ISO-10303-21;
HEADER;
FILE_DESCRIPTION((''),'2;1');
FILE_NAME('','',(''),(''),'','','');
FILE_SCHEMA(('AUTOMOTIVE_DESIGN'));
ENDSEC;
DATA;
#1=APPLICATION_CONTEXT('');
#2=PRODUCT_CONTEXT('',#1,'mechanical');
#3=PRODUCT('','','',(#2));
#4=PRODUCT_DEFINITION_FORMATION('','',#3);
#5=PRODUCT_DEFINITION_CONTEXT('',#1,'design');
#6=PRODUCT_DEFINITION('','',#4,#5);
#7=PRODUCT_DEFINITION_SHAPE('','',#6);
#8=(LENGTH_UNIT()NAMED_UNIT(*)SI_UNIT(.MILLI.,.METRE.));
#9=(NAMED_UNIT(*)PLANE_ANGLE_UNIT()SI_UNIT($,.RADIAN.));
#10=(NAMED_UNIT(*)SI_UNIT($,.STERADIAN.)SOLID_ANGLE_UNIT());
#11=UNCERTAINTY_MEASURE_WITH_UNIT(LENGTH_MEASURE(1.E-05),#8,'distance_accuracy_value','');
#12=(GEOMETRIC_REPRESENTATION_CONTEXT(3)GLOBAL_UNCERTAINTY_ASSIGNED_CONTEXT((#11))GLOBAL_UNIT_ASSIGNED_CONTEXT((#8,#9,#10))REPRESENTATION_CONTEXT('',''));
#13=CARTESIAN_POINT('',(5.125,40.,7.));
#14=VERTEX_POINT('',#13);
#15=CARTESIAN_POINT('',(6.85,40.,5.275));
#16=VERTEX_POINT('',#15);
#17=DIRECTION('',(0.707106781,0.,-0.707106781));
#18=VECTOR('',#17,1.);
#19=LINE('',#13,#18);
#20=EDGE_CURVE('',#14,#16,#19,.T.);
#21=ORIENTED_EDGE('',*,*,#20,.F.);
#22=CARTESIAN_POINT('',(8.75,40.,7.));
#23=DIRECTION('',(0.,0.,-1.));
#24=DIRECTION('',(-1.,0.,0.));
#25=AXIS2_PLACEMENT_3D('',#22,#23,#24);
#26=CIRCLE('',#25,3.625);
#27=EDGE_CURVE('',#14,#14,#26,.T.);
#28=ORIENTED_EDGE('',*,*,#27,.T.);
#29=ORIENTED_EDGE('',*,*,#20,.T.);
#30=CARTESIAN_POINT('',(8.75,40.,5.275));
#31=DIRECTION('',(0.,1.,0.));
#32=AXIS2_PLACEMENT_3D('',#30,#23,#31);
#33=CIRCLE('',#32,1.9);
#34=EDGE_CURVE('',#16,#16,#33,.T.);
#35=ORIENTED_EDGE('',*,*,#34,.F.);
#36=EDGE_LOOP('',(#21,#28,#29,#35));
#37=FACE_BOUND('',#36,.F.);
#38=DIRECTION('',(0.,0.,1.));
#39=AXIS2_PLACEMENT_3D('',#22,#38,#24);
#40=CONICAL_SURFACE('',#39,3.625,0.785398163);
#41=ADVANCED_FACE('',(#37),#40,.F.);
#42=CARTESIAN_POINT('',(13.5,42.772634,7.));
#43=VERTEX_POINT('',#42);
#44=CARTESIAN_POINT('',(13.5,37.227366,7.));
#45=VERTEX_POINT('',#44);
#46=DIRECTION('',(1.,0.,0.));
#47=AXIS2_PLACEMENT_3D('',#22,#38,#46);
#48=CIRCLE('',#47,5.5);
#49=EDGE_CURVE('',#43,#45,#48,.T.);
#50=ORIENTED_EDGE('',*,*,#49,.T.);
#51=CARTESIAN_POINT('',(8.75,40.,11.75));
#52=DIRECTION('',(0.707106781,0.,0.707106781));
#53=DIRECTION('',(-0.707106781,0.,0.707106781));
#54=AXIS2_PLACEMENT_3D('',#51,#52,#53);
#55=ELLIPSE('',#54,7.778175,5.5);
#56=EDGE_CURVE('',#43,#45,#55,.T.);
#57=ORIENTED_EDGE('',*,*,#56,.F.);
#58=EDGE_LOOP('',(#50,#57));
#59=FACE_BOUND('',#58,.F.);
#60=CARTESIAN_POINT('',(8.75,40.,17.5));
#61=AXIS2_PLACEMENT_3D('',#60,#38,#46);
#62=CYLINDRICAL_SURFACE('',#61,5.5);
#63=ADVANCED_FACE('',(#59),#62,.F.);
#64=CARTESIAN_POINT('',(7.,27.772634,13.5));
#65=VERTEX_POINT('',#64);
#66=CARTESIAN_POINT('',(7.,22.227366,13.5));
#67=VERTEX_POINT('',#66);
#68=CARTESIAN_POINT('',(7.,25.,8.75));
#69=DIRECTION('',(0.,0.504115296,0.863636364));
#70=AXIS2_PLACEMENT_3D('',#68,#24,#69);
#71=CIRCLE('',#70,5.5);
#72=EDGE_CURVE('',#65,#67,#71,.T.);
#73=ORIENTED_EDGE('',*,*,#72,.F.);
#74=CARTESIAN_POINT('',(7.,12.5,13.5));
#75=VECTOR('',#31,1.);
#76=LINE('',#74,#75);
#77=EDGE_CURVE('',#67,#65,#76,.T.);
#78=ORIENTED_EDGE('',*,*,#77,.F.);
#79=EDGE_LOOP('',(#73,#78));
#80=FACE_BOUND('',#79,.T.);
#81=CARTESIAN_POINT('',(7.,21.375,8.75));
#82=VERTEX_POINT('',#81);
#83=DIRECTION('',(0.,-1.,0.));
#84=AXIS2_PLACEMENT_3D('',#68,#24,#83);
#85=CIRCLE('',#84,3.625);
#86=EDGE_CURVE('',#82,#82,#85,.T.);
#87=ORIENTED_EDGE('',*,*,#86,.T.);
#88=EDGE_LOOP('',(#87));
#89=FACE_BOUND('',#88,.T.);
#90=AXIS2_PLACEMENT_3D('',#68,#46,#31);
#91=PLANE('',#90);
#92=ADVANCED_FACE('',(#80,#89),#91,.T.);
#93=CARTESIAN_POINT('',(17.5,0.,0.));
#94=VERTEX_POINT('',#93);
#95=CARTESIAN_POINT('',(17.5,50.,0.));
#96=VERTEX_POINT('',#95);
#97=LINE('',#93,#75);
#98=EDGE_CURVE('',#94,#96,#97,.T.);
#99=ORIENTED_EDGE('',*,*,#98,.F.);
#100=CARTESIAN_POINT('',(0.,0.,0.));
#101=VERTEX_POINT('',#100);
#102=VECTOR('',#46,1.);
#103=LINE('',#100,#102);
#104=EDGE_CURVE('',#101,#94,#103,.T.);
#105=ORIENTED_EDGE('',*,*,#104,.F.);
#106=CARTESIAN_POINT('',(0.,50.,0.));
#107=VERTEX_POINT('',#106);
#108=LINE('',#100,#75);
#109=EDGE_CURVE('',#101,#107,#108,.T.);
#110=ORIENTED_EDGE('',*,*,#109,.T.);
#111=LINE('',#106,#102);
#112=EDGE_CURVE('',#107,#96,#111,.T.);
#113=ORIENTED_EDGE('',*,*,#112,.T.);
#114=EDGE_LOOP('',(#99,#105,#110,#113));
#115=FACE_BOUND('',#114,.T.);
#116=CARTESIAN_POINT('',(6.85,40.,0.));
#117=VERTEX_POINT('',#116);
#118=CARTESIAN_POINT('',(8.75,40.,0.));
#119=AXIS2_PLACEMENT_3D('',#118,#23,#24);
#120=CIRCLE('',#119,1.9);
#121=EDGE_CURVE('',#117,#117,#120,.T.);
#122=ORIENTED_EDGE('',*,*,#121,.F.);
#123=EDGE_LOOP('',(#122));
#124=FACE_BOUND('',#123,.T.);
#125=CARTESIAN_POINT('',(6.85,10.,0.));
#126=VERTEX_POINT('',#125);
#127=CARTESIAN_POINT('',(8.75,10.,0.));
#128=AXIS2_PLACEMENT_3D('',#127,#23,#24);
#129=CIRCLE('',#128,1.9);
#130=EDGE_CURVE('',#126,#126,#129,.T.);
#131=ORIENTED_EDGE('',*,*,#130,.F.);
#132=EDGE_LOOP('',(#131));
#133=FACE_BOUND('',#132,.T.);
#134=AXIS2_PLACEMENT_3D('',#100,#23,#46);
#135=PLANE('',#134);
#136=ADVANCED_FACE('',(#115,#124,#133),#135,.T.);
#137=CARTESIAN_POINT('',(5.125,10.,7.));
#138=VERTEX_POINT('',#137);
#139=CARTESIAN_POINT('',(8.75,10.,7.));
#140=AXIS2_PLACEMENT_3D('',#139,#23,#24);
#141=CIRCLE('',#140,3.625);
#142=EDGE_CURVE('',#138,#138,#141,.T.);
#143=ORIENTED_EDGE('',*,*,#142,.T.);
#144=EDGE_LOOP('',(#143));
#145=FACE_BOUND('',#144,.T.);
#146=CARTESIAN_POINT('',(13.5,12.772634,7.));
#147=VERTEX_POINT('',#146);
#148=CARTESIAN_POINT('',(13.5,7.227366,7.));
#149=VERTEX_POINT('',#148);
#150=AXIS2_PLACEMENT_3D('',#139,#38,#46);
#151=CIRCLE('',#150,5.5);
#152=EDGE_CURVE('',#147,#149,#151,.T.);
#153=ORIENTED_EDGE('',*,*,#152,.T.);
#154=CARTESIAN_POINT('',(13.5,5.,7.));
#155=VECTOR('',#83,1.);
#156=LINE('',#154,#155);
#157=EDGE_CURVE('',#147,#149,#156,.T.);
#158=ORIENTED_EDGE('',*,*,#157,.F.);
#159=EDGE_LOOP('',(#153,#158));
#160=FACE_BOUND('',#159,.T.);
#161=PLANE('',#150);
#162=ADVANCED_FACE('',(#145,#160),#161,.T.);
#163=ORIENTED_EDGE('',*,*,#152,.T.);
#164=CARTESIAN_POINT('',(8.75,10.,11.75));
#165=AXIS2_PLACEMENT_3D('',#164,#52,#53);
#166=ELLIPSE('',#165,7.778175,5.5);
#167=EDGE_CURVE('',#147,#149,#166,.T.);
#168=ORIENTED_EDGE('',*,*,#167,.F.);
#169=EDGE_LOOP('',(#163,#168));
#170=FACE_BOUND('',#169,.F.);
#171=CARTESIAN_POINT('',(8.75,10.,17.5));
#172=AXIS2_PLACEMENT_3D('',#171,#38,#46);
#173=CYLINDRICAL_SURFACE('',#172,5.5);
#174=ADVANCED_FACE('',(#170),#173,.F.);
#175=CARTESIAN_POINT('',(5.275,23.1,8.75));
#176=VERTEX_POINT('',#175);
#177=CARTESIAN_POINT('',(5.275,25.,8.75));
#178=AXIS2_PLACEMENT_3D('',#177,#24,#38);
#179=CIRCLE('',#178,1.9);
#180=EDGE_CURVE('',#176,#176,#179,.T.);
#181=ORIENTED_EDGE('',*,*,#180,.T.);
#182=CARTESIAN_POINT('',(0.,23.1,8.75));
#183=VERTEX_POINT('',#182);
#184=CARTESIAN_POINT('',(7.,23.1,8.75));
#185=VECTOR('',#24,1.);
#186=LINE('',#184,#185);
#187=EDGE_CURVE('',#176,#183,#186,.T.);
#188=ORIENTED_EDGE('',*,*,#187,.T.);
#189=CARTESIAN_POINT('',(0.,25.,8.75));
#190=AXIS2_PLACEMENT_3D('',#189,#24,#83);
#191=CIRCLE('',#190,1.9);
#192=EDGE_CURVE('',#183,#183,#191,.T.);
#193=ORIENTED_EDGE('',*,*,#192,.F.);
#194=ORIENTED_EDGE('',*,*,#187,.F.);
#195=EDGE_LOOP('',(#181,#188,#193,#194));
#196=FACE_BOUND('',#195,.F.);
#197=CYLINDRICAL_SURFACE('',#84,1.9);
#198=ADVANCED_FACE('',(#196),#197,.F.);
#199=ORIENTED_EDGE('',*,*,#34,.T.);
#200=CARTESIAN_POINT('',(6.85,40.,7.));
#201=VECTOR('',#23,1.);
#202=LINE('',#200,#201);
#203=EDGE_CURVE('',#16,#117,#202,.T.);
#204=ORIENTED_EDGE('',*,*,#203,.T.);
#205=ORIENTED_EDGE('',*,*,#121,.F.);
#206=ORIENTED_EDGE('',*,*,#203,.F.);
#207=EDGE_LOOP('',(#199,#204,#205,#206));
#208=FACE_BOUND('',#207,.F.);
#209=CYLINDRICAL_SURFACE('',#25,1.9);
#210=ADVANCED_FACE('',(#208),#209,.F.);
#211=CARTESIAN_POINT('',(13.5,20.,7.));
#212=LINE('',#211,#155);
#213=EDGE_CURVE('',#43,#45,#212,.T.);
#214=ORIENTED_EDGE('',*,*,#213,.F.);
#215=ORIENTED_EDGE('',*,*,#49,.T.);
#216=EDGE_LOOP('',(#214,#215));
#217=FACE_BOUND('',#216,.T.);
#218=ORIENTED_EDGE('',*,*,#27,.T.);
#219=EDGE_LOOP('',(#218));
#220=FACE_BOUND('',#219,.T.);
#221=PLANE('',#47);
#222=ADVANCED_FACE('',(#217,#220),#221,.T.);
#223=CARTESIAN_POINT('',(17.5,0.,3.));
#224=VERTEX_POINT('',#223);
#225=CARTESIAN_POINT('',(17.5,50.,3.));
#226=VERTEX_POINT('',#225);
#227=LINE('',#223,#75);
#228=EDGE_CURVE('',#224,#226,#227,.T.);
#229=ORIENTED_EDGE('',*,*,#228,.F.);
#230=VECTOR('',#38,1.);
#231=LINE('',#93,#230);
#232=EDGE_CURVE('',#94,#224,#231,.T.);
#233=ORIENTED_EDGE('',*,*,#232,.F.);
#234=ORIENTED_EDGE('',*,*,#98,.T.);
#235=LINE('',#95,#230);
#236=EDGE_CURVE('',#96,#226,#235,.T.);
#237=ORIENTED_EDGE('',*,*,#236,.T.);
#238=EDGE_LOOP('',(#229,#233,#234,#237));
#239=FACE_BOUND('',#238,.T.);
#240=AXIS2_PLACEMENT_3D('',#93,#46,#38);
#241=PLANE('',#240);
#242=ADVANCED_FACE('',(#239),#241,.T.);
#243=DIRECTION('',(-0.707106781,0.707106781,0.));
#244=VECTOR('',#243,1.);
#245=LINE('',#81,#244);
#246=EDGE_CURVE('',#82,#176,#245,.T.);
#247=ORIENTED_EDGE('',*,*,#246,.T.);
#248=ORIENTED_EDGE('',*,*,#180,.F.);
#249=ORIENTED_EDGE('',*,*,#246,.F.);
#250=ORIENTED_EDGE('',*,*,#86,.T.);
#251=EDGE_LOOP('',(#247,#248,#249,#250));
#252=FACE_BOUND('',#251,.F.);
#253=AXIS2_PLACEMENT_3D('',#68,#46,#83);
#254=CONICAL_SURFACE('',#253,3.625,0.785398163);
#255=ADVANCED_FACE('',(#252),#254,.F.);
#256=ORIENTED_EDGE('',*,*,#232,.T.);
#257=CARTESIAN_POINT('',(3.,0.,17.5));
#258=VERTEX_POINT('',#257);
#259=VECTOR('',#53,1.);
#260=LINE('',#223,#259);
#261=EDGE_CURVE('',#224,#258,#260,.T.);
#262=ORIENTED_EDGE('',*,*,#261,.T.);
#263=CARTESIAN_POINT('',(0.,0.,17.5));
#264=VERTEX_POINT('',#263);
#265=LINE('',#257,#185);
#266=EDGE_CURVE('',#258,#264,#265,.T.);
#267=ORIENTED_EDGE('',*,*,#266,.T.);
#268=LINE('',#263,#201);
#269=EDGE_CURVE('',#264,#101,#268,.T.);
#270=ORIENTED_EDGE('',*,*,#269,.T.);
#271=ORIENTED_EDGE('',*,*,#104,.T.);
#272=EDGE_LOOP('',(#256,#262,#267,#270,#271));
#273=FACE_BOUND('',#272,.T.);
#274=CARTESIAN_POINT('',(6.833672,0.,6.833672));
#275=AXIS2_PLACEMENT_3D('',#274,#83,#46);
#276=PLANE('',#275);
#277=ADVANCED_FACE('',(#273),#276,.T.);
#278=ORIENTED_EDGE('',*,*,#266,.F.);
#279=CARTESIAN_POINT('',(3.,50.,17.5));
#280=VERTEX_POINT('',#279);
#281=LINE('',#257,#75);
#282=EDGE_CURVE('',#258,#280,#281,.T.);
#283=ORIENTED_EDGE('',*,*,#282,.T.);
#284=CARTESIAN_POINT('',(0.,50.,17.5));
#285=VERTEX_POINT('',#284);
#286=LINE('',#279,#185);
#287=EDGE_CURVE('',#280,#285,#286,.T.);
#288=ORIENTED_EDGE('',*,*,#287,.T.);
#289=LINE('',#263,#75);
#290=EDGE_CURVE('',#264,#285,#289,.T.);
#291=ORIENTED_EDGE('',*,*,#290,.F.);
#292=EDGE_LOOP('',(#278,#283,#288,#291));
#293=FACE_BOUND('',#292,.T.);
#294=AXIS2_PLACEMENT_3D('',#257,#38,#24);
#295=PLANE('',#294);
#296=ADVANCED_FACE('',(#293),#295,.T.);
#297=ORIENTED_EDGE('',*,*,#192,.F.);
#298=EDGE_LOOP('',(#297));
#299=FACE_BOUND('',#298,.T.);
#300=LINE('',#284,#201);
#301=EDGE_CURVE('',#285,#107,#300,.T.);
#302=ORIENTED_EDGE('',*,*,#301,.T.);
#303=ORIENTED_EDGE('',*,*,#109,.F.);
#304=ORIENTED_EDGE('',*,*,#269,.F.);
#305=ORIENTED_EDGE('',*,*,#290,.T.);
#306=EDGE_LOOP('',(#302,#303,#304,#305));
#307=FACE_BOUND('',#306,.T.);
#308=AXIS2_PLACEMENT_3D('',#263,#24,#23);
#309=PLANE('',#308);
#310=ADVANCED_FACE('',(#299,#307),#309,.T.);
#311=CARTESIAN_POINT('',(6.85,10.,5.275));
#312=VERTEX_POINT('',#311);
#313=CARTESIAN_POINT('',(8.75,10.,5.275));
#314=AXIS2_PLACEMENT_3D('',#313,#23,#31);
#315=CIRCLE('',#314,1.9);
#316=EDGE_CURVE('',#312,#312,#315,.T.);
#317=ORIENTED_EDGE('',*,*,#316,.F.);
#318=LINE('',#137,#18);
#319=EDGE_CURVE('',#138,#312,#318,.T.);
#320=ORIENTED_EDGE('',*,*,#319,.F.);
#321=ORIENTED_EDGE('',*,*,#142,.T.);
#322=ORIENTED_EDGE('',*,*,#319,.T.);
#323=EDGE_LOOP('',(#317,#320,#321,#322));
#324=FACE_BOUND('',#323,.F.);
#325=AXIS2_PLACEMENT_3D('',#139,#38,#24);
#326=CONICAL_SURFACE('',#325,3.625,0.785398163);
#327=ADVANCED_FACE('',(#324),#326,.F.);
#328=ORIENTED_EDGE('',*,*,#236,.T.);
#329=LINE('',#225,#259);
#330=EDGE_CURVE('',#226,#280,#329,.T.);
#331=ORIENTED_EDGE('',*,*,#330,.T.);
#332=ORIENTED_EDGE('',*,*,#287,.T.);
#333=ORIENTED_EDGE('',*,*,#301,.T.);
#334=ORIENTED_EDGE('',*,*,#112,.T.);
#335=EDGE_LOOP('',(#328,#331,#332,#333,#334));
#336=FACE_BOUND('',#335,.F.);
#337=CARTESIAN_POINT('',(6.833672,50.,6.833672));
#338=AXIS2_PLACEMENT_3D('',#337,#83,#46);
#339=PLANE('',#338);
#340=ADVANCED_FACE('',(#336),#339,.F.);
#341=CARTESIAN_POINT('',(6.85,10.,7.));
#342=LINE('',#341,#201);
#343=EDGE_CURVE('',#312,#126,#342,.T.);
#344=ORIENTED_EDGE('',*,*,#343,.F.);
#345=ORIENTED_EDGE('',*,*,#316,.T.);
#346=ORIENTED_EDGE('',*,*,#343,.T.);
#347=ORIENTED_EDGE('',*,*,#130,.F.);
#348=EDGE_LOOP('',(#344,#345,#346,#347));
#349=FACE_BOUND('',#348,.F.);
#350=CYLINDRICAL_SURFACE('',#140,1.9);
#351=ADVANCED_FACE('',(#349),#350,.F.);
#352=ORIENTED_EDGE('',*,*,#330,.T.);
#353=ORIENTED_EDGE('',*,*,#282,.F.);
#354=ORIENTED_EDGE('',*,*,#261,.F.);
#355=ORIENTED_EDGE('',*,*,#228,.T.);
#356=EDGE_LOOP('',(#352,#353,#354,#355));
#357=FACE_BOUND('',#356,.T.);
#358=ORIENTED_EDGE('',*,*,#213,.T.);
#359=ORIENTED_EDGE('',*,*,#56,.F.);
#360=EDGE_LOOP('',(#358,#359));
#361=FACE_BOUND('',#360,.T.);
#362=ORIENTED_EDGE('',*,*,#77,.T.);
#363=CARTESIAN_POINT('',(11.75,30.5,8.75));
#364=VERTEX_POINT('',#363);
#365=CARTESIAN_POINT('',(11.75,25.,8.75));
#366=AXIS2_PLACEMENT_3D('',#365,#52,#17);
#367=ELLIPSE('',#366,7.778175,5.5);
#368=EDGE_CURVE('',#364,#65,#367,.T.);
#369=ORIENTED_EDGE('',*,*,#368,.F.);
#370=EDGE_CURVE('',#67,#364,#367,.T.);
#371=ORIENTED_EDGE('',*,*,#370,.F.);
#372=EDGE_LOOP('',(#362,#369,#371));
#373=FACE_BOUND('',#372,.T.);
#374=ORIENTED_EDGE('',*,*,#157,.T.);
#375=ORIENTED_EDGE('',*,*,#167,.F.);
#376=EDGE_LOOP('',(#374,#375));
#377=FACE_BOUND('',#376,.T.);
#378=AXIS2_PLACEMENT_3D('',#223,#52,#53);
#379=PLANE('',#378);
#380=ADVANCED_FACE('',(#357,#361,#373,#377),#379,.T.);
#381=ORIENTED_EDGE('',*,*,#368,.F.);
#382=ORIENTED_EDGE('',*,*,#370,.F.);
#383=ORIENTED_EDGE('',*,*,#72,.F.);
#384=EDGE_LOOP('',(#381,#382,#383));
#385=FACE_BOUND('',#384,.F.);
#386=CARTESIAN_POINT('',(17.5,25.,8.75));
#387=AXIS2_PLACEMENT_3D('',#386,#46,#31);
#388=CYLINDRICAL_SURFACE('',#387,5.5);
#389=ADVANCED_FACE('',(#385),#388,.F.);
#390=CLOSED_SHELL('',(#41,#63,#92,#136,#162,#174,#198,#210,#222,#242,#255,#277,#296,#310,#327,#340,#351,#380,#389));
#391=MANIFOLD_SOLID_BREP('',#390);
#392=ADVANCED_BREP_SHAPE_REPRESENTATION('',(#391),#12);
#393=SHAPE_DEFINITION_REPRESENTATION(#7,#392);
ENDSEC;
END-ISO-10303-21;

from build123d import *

# Parameters (mm, degrees)
F1_DEPTH        = 50
F3_R            = 5.5
F4_DEPTH        = 10.5
F6_R            = 5.5
F7_DEPTH        = 10.5
F9_D            = 3.8
F9_CSINK_D      = 7.25
F9_CSINK_ANGLE  = 90
F11_D           = 3.8
F11_CSINK_D     = 7.25
F11_CSINK_ANGLE = 90


with BuildPart() as f1:
    # F0 (on Front) → F1 (new body)
    with BuildSketch(Plane.XZ):
        Polygon((3, 17.5), (0, 17.5), (0, 0), (17.5, 0), (17.5, 3), align=None)
    extrude(amount=-F1_DEPTH)

    # F3 (on offset) → F4 (cut)
    with BuildSketch(Plane.XY.offset(17.5)):
        with Locations((8.75, 40)):
            Circle(F3_R)
        with Locations((8.75, 10)):
            Circle(F3_R)
    extrude(amount=-F4_DEPTH, mode=Mode.SUBTRACT)

    # F6 (on offset) → F7 (cut)
    with BuildSketch(Plane.YZ.offset(17.5)):
        with Locations((25, 8.75)):
            Circle(F6_R)
    extrude(amount=-F7_DEPTH, mode=Mode.SUBTRACT)

    # F9 (through all)
    with Locations(Plane.XY.offset(7)):
        with Locations((8.75, 40), (8.75, 10)):
            CounterSinkHole(F9_D / 2, F9_CSINK_D / 2, counter_sink_angle=F9_CSINK_ANGLE)

    # F11 (through all)
    with Locations(Plane.YZ.offset(7)):
        with Locations((25, 8.75)):
            CounterSinkHole(F11_D / 2, F11_CSINK_D / 2, counter_sink_angle=F11_CSINK_ANGLE)


solid = f1.part
